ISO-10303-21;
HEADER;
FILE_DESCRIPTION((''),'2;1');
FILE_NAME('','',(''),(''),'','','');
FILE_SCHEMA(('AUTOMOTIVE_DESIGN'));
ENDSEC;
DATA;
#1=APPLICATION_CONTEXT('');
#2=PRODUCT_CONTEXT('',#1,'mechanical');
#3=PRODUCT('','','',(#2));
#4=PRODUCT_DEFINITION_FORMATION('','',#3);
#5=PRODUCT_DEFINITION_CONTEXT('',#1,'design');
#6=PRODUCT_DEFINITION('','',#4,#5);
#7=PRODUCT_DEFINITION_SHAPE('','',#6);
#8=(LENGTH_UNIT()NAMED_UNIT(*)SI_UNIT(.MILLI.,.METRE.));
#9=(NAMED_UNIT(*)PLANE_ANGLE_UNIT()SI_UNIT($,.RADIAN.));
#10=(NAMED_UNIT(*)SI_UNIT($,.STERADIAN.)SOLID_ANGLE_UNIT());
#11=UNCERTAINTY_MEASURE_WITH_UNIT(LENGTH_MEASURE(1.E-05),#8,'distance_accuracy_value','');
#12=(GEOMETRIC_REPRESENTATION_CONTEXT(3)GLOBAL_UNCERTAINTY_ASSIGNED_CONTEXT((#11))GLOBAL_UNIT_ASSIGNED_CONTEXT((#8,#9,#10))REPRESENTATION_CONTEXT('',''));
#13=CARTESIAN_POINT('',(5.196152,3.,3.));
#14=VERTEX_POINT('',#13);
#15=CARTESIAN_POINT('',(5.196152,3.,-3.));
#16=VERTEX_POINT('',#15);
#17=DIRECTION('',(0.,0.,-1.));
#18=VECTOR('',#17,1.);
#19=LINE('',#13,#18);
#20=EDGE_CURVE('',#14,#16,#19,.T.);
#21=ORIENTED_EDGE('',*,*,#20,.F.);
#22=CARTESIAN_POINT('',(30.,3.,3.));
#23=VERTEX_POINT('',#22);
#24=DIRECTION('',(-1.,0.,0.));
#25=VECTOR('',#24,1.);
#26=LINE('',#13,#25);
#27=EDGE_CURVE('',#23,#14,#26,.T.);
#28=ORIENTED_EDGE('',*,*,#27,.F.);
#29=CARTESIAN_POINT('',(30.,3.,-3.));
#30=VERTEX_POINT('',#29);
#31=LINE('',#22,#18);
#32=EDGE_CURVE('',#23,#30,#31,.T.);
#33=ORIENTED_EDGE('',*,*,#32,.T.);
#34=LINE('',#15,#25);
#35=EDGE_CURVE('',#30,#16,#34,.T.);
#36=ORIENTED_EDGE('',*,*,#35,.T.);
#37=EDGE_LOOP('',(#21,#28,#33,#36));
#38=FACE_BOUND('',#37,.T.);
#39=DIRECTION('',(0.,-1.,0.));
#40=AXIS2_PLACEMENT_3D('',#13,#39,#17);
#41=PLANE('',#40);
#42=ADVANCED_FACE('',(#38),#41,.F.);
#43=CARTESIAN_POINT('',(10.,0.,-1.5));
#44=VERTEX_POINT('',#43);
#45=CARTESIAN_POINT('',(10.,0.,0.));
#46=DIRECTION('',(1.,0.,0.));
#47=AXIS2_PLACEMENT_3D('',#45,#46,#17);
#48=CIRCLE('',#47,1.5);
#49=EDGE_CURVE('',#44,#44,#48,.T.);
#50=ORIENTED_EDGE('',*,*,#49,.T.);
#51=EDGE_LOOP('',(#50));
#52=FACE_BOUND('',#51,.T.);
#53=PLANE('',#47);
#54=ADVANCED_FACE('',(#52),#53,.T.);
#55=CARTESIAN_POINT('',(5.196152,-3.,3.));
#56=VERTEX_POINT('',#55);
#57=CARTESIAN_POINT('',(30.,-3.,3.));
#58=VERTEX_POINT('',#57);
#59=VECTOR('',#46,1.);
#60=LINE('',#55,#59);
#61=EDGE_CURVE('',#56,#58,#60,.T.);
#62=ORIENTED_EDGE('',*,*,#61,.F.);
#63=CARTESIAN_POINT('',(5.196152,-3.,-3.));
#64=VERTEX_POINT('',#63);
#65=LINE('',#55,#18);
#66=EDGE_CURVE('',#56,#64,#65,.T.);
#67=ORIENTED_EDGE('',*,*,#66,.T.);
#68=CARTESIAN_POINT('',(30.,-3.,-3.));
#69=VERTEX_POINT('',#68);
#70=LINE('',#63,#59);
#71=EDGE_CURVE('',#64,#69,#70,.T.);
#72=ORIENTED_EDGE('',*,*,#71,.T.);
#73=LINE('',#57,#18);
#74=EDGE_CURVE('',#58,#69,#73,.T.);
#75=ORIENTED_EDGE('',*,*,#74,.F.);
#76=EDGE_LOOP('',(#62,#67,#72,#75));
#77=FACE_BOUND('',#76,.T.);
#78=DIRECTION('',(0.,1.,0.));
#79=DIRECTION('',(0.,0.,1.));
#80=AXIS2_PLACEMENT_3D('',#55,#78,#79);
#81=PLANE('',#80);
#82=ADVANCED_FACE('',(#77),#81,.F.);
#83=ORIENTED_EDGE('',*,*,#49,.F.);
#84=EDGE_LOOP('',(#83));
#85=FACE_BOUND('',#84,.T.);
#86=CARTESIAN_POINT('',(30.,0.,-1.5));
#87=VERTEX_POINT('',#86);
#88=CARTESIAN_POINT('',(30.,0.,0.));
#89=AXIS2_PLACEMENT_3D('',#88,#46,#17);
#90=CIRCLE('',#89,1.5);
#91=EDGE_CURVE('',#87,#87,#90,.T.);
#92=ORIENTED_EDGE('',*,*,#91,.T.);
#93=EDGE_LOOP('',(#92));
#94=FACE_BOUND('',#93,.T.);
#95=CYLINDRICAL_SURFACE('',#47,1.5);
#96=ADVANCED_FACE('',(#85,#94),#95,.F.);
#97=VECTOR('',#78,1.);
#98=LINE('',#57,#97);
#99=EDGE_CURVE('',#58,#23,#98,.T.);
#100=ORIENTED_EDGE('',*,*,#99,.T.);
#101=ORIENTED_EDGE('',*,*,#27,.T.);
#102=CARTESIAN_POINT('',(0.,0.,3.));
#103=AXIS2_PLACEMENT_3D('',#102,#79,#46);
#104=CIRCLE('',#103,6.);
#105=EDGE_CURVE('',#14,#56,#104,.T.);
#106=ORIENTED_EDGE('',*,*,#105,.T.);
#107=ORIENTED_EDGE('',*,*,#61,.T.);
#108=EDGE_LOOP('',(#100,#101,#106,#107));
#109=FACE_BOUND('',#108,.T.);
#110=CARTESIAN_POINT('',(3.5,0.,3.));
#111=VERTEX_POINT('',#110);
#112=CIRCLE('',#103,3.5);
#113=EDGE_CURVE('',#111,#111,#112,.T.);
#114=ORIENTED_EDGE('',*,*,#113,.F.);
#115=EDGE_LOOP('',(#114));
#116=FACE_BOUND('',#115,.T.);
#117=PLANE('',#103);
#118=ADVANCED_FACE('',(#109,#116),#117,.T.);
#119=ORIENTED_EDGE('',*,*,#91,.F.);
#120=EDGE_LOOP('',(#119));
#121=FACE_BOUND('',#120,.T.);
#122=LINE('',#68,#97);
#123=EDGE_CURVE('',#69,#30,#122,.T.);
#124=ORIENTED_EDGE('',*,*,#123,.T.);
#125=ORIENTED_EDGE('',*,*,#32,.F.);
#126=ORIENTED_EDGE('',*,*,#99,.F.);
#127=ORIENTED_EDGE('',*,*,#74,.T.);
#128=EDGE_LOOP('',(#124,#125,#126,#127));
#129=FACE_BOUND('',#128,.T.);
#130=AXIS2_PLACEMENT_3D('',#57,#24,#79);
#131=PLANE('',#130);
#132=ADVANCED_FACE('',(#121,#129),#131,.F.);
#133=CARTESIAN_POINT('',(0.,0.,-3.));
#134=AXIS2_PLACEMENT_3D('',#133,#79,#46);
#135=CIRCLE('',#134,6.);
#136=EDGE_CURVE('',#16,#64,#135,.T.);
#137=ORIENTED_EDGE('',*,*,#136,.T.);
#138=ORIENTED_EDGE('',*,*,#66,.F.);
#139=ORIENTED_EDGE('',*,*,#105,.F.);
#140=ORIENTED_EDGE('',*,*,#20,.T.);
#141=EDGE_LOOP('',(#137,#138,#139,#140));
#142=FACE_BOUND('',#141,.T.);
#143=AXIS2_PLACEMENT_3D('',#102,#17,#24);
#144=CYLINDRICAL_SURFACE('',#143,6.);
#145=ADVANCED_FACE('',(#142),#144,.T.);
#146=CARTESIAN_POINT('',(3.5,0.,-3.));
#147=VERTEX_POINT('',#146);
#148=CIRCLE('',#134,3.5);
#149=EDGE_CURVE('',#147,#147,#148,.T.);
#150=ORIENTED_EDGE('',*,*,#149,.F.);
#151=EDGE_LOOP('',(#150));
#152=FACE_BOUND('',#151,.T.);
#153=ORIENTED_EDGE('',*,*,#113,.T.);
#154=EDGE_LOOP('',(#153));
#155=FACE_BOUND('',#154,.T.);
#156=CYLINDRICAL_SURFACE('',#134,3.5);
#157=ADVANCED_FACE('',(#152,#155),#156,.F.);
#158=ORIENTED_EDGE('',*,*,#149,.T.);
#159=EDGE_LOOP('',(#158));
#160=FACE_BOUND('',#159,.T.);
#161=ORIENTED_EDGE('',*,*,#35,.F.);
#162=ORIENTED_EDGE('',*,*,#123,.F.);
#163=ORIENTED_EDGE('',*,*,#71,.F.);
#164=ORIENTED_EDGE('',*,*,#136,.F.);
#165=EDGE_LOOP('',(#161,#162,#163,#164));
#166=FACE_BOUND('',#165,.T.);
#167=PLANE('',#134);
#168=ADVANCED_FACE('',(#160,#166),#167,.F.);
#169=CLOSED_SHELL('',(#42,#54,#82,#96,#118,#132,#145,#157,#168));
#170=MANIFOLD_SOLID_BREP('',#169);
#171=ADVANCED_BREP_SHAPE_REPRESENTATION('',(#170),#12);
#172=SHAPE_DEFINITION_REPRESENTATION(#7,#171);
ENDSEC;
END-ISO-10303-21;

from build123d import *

# Parameters (mm, degrees)
BOSS_EXTRUDE1_DEPTH     = 3
CUT_EXTRUDE1_DEPTH      = 32.176914536
CUT_EXTRUDE1_DEPTH_BACK = 32.176914536
SKETCH10_R              = 3.5
SKETCH11_R              = 1.5
CUT_EXTRUDE2_DEPTH      = 20


with BuildPart() as part:
    # Sketch1 → Boss-Extrude1 (new, symmetric)
    with BuildSketch(Plane.XY):
        with BuildLine():
            Line((5.196152423, -3), (30, -3))
            Line((30, -3), (30, 3))
            Line((30, 3), (5.196152423, 3))
            ThreePointArc((5.196152423, 3), (-6, 0), (5.196152423, -3))
        make_face()
    extrude(amount=BOSS_EXTRUDE1_DEPTH, both=True)

    # Sketch10 → Cut-Extrude1 (cut, two sides: drawn at the far end of the back side and taken through both)
    with BuildSketch(Plane.XY.offset(3).offset(-CUT_EXTRUDE1_DEPTH_BACK)):
        Circle(SKETCH10_R)
    extrude(amount=CUT_EXTRUDE1_DEPTH + CUT_EXTRUDE1_DEPTH_BACK, mode=Mode.SUBTRACT)

    # Sketch11 → Cut-Extrude2 (cut)
    with BuildSketch(Plane(origin=(30, 0, 0), x_dir=(0, 0, -1), z_dir=(1, 0, 0))):
        Circle(SKETCH11_R)
    extrude(amount=-CUT_EXTRUDE2_DEPTH, mode=Mode.SUBTRACT)


solid = part.part
